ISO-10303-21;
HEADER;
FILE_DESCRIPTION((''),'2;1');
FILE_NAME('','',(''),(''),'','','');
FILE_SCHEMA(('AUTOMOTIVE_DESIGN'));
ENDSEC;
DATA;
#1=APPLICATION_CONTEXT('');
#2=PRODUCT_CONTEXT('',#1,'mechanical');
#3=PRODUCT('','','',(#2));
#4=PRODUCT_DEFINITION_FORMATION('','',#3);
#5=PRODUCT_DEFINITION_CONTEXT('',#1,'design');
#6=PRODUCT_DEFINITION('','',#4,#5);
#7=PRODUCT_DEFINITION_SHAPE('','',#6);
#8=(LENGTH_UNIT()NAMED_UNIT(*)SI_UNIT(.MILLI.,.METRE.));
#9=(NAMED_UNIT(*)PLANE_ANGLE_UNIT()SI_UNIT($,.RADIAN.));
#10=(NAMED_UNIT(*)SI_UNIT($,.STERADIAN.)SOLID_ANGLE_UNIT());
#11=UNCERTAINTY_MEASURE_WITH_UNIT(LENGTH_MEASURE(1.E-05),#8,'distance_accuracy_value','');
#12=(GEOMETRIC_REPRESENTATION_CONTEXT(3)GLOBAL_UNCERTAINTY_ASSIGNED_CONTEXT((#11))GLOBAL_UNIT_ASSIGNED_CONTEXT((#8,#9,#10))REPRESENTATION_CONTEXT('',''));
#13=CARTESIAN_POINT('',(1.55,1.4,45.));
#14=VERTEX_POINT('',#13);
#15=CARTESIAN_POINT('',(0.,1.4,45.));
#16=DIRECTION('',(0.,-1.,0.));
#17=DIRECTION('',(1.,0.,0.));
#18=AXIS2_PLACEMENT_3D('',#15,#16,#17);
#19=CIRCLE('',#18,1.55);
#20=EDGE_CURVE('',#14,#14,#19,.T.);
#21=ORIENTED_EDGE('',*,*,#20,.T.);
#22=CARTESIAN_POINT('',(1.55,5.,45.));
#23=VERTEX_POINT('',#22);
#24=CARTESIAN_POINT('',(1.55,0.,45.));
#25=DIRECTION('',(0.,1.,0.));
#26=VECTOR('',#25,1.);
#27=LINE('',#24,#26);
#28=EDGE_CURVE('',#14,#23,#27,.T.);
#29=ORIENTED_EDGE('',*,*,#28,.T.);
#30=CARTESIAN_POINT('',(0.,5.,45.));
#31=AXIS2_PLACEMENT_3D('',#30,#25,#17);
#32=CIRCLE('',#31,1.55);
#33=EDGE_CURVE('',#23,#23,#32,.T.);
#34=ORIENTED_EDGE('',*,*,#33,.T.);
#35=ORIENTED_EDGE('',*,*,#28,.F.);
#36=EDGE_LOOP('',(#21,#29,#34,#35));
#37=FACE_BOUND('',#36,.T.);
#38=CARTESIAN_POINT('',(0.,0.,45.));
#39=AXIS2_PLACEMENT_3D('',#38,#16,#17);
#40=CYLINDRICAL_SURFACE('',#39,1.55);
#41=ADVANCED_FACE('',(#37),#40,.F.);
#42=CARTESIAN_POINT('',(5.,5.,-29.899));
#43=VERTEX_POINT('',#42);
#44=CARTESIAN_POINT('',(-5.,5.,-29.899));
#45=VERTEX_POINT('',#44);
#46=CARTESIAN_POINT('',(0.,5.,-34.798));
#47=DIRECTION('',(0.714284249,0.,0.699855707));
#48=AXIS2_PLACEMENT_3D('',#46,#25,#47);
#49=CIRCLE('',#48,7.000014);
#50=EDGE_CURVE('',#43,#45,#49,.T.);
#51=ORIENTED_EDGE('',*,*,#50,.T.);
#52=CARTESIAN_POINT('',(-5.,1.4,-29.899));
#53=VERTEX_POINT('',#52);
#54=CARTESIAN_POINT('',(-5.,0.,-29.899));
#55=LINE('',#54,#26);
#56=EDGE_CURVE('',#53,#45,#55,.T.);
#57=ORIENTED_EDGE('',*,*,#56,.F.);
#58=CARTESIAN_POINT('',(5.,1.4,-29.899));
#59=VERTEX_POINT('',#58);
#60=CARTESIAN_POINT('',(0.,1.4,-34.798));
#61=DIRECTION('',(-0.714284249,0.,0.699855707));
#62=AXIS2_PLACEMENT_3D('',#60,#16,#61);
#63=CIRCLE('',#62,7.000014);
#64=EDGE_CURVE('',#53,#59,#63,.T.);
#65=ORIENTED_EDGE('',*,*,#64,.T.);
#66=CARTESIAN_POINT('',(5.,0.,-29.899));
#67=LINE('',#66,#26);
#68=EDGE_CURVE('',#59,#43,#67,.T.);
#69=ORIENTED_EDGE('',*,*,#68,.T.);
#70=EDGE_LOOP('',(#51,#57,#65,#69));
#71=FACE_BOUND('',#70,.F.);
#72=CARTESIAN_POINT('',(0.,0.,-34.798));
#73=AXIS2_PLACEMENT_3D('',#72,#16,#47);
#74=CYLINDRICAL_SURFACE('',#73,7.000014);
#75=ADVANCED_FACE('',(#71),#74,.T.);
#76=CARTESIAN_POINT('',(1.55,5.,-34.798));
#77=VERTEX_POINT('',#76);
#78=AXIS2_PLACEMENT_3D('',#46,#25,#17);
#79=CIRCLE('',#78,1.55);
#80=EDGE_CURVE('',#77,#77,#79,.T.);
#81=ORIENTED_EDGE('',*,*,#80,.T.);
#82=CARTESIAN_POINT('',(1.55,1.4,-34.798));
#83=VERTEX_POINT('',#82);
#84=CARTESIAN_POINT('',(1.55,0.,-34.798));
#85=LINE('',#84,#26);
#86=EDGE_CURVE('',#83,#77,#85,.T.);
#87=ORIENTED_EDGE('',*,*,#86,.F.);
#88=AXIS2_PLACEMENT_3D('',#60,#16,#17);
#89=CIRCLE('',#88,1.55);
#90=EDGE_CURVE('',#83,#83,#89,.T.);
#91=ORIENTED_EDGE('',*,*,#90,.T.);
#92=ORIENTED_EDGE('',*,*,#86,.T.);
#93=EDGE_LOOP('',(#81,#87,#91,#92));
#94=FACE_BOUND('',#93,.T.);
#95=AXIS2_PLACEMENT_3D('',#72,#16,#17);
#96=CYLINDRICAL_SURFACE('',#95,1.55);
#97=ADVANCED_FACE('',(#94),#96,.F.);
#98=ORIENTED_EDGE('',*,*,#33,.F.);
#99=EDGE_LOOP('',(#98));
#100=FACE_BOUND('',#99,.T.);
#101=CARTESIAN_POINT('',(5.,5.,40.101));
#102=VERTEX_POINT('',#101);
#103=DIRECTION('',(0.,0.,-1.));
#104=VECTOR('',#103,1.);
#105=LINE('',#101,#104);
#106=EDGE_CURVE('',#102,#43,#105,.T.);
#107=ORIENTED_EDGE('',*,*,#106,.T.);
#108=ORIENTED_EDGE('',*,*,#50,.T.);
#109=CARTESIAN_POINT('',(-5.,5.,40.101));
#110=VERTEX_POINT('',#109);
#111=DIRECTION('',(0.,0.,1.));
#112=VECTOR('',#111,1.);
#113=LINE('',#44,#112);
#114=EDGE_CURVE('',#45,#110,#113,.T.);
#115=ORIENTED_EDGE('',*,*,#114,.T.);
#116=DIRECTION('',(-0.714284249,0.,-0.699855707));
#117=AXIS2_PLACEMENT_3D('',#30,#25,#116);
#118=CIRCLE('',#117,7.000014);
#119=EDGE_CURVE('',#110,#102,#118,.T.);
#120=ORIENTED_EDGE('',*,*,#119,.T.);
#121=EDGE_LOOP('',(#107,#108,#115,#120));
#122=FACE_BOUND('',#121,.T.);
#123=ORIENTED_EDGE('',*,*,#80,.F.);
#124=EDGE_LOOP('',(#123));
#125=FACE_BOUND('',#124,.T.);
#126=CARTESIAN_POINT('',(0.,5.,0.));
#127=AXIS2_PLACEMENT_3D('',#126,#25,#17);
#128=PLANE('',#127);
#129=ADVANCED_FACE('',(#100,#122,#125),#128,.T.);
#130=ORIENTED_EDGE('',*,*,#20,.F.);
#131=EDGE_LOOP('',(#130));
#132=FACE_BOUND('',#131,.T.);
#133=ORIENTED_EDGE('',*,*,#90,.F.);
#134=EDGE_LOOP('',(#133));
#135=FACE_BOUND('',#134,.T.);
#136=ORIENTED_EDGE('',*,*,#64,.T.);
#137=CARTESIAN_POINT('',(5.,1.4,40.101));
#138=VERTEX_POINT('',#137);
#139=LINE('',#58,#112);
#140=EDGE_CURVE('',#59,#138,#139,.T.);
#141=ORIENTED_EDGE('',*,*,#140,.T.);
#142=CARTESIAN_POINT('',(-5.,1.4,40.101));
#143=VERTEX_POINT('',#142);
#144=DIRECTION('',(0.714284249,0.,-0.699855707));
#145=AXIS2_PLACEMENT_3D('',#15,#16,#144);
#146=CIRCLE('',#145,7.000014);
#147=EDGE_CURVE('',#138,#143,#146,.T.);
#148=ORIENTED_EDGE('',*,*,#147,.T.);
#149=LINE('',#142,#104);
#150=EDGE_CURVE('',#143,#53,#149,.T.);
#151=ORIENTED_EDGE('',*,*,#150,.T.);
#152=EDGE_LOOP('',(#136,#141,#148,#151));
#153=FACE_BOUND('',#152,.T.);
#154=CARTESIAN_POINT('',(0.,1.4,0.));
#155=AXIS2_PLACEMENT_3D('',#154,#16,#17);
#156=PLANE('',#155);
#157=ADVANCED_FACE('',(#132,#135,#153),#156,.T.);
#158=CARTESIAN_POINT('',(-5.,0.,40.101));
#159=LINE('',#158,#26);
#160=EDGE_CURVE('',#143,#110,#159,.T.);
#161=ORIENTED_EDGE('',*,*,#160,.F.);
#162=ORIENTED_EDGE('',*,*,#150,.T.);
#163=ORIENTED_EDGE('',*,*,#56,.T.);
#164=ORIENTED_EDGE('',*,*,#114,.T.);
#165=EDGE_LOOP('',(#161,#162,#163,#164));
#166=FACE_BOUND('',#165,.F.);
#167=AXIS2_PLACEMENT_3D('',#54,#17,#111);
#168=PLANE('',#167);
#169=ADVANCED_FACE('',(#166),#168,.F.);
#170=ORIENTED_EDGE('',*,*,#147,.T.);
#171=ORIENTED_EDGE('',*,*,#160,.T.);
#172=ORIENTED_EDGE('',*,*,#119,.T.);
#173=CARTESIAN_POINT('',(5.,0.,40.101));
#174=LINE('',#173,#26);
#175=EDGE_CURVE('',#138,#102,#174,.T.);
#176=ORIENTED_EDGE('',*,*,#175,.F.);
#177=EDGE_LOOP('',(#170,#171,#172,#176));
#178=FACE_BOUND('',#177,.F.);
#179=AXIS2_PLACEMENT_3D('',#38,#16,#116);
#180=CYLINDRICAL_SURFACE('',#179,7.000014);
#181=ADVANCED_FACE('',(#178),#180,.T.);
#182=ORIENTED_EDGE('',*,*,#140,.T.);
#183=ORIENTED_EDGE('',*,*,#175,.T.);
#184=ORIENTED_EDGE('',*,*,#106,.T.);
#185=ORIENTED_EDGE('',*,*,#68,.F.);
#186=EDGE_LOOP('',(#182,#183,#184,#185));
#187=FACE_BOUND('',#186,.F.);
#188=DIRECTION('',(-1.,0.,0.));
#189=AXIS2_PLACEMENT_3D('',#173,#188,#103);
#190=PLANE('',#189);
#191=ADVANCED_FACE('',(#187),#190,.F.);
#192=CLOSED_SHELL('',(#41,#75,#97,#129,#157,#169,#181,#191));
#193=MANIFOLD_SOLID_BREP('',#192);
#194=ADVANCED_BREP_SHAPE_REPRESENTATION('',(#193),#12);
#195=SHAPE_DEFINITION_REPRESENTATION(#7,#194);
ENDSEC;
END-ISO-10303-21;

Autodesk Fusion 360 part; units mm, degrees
sketch "Sketch1" plane through (0, 0, 0) normal (0, 1, 0) x (1, 0, 0)
  line L0 (-5, 29.899) -> (-5, -40.101)
  line L1 (5, -40.101) -> (5, 29.899)
  circle A0 centre (0, -45) radius 1.55
  arc A1 (-5, -40.101) -> (5, -40.101) centre (0, -45) ccw
  arc A2 (5, 29.899) -> (-5, 29.899) centre (0, 34.798) ccw
  circle A3 centre (0, 34.798) radius 1.55
  dimension "d3" = 3.1
  dimension "d4" = 14
  dimension "d7" = 70
  dimension "d8" = 7
  dimension "d9" = 3.1
extrude "Extrude1" add sketch "Sketch1" along normal blind 5
sketch "Sketch2" plane through (0, 0, 0) normal (0, -1, 0) x (1, 0, 0)
  circle A0 centre (0, -34.798) radius 1.55
  circle A1 centre (0, 45) radius 1.55
  arc A2 (-5, -29.899) -> (5, -29.899) centre (0, -34.798) ccw
  line L0 (5, -29.899) -> (5, 40.101)
  arc A3 (5, 40.101) -> (-5, 40.101) centre (0, 45) ccw
  line L1 (-5, 40.101) -> (-5, -29.899)
extrude "Extrude2" cut sketch "Sketch2" against normal blind 1
extrude "Extrude3" cut 1 faces at (-1.6667, 1, 16.7677) along direction (0, 1, 0) blind 0.4
